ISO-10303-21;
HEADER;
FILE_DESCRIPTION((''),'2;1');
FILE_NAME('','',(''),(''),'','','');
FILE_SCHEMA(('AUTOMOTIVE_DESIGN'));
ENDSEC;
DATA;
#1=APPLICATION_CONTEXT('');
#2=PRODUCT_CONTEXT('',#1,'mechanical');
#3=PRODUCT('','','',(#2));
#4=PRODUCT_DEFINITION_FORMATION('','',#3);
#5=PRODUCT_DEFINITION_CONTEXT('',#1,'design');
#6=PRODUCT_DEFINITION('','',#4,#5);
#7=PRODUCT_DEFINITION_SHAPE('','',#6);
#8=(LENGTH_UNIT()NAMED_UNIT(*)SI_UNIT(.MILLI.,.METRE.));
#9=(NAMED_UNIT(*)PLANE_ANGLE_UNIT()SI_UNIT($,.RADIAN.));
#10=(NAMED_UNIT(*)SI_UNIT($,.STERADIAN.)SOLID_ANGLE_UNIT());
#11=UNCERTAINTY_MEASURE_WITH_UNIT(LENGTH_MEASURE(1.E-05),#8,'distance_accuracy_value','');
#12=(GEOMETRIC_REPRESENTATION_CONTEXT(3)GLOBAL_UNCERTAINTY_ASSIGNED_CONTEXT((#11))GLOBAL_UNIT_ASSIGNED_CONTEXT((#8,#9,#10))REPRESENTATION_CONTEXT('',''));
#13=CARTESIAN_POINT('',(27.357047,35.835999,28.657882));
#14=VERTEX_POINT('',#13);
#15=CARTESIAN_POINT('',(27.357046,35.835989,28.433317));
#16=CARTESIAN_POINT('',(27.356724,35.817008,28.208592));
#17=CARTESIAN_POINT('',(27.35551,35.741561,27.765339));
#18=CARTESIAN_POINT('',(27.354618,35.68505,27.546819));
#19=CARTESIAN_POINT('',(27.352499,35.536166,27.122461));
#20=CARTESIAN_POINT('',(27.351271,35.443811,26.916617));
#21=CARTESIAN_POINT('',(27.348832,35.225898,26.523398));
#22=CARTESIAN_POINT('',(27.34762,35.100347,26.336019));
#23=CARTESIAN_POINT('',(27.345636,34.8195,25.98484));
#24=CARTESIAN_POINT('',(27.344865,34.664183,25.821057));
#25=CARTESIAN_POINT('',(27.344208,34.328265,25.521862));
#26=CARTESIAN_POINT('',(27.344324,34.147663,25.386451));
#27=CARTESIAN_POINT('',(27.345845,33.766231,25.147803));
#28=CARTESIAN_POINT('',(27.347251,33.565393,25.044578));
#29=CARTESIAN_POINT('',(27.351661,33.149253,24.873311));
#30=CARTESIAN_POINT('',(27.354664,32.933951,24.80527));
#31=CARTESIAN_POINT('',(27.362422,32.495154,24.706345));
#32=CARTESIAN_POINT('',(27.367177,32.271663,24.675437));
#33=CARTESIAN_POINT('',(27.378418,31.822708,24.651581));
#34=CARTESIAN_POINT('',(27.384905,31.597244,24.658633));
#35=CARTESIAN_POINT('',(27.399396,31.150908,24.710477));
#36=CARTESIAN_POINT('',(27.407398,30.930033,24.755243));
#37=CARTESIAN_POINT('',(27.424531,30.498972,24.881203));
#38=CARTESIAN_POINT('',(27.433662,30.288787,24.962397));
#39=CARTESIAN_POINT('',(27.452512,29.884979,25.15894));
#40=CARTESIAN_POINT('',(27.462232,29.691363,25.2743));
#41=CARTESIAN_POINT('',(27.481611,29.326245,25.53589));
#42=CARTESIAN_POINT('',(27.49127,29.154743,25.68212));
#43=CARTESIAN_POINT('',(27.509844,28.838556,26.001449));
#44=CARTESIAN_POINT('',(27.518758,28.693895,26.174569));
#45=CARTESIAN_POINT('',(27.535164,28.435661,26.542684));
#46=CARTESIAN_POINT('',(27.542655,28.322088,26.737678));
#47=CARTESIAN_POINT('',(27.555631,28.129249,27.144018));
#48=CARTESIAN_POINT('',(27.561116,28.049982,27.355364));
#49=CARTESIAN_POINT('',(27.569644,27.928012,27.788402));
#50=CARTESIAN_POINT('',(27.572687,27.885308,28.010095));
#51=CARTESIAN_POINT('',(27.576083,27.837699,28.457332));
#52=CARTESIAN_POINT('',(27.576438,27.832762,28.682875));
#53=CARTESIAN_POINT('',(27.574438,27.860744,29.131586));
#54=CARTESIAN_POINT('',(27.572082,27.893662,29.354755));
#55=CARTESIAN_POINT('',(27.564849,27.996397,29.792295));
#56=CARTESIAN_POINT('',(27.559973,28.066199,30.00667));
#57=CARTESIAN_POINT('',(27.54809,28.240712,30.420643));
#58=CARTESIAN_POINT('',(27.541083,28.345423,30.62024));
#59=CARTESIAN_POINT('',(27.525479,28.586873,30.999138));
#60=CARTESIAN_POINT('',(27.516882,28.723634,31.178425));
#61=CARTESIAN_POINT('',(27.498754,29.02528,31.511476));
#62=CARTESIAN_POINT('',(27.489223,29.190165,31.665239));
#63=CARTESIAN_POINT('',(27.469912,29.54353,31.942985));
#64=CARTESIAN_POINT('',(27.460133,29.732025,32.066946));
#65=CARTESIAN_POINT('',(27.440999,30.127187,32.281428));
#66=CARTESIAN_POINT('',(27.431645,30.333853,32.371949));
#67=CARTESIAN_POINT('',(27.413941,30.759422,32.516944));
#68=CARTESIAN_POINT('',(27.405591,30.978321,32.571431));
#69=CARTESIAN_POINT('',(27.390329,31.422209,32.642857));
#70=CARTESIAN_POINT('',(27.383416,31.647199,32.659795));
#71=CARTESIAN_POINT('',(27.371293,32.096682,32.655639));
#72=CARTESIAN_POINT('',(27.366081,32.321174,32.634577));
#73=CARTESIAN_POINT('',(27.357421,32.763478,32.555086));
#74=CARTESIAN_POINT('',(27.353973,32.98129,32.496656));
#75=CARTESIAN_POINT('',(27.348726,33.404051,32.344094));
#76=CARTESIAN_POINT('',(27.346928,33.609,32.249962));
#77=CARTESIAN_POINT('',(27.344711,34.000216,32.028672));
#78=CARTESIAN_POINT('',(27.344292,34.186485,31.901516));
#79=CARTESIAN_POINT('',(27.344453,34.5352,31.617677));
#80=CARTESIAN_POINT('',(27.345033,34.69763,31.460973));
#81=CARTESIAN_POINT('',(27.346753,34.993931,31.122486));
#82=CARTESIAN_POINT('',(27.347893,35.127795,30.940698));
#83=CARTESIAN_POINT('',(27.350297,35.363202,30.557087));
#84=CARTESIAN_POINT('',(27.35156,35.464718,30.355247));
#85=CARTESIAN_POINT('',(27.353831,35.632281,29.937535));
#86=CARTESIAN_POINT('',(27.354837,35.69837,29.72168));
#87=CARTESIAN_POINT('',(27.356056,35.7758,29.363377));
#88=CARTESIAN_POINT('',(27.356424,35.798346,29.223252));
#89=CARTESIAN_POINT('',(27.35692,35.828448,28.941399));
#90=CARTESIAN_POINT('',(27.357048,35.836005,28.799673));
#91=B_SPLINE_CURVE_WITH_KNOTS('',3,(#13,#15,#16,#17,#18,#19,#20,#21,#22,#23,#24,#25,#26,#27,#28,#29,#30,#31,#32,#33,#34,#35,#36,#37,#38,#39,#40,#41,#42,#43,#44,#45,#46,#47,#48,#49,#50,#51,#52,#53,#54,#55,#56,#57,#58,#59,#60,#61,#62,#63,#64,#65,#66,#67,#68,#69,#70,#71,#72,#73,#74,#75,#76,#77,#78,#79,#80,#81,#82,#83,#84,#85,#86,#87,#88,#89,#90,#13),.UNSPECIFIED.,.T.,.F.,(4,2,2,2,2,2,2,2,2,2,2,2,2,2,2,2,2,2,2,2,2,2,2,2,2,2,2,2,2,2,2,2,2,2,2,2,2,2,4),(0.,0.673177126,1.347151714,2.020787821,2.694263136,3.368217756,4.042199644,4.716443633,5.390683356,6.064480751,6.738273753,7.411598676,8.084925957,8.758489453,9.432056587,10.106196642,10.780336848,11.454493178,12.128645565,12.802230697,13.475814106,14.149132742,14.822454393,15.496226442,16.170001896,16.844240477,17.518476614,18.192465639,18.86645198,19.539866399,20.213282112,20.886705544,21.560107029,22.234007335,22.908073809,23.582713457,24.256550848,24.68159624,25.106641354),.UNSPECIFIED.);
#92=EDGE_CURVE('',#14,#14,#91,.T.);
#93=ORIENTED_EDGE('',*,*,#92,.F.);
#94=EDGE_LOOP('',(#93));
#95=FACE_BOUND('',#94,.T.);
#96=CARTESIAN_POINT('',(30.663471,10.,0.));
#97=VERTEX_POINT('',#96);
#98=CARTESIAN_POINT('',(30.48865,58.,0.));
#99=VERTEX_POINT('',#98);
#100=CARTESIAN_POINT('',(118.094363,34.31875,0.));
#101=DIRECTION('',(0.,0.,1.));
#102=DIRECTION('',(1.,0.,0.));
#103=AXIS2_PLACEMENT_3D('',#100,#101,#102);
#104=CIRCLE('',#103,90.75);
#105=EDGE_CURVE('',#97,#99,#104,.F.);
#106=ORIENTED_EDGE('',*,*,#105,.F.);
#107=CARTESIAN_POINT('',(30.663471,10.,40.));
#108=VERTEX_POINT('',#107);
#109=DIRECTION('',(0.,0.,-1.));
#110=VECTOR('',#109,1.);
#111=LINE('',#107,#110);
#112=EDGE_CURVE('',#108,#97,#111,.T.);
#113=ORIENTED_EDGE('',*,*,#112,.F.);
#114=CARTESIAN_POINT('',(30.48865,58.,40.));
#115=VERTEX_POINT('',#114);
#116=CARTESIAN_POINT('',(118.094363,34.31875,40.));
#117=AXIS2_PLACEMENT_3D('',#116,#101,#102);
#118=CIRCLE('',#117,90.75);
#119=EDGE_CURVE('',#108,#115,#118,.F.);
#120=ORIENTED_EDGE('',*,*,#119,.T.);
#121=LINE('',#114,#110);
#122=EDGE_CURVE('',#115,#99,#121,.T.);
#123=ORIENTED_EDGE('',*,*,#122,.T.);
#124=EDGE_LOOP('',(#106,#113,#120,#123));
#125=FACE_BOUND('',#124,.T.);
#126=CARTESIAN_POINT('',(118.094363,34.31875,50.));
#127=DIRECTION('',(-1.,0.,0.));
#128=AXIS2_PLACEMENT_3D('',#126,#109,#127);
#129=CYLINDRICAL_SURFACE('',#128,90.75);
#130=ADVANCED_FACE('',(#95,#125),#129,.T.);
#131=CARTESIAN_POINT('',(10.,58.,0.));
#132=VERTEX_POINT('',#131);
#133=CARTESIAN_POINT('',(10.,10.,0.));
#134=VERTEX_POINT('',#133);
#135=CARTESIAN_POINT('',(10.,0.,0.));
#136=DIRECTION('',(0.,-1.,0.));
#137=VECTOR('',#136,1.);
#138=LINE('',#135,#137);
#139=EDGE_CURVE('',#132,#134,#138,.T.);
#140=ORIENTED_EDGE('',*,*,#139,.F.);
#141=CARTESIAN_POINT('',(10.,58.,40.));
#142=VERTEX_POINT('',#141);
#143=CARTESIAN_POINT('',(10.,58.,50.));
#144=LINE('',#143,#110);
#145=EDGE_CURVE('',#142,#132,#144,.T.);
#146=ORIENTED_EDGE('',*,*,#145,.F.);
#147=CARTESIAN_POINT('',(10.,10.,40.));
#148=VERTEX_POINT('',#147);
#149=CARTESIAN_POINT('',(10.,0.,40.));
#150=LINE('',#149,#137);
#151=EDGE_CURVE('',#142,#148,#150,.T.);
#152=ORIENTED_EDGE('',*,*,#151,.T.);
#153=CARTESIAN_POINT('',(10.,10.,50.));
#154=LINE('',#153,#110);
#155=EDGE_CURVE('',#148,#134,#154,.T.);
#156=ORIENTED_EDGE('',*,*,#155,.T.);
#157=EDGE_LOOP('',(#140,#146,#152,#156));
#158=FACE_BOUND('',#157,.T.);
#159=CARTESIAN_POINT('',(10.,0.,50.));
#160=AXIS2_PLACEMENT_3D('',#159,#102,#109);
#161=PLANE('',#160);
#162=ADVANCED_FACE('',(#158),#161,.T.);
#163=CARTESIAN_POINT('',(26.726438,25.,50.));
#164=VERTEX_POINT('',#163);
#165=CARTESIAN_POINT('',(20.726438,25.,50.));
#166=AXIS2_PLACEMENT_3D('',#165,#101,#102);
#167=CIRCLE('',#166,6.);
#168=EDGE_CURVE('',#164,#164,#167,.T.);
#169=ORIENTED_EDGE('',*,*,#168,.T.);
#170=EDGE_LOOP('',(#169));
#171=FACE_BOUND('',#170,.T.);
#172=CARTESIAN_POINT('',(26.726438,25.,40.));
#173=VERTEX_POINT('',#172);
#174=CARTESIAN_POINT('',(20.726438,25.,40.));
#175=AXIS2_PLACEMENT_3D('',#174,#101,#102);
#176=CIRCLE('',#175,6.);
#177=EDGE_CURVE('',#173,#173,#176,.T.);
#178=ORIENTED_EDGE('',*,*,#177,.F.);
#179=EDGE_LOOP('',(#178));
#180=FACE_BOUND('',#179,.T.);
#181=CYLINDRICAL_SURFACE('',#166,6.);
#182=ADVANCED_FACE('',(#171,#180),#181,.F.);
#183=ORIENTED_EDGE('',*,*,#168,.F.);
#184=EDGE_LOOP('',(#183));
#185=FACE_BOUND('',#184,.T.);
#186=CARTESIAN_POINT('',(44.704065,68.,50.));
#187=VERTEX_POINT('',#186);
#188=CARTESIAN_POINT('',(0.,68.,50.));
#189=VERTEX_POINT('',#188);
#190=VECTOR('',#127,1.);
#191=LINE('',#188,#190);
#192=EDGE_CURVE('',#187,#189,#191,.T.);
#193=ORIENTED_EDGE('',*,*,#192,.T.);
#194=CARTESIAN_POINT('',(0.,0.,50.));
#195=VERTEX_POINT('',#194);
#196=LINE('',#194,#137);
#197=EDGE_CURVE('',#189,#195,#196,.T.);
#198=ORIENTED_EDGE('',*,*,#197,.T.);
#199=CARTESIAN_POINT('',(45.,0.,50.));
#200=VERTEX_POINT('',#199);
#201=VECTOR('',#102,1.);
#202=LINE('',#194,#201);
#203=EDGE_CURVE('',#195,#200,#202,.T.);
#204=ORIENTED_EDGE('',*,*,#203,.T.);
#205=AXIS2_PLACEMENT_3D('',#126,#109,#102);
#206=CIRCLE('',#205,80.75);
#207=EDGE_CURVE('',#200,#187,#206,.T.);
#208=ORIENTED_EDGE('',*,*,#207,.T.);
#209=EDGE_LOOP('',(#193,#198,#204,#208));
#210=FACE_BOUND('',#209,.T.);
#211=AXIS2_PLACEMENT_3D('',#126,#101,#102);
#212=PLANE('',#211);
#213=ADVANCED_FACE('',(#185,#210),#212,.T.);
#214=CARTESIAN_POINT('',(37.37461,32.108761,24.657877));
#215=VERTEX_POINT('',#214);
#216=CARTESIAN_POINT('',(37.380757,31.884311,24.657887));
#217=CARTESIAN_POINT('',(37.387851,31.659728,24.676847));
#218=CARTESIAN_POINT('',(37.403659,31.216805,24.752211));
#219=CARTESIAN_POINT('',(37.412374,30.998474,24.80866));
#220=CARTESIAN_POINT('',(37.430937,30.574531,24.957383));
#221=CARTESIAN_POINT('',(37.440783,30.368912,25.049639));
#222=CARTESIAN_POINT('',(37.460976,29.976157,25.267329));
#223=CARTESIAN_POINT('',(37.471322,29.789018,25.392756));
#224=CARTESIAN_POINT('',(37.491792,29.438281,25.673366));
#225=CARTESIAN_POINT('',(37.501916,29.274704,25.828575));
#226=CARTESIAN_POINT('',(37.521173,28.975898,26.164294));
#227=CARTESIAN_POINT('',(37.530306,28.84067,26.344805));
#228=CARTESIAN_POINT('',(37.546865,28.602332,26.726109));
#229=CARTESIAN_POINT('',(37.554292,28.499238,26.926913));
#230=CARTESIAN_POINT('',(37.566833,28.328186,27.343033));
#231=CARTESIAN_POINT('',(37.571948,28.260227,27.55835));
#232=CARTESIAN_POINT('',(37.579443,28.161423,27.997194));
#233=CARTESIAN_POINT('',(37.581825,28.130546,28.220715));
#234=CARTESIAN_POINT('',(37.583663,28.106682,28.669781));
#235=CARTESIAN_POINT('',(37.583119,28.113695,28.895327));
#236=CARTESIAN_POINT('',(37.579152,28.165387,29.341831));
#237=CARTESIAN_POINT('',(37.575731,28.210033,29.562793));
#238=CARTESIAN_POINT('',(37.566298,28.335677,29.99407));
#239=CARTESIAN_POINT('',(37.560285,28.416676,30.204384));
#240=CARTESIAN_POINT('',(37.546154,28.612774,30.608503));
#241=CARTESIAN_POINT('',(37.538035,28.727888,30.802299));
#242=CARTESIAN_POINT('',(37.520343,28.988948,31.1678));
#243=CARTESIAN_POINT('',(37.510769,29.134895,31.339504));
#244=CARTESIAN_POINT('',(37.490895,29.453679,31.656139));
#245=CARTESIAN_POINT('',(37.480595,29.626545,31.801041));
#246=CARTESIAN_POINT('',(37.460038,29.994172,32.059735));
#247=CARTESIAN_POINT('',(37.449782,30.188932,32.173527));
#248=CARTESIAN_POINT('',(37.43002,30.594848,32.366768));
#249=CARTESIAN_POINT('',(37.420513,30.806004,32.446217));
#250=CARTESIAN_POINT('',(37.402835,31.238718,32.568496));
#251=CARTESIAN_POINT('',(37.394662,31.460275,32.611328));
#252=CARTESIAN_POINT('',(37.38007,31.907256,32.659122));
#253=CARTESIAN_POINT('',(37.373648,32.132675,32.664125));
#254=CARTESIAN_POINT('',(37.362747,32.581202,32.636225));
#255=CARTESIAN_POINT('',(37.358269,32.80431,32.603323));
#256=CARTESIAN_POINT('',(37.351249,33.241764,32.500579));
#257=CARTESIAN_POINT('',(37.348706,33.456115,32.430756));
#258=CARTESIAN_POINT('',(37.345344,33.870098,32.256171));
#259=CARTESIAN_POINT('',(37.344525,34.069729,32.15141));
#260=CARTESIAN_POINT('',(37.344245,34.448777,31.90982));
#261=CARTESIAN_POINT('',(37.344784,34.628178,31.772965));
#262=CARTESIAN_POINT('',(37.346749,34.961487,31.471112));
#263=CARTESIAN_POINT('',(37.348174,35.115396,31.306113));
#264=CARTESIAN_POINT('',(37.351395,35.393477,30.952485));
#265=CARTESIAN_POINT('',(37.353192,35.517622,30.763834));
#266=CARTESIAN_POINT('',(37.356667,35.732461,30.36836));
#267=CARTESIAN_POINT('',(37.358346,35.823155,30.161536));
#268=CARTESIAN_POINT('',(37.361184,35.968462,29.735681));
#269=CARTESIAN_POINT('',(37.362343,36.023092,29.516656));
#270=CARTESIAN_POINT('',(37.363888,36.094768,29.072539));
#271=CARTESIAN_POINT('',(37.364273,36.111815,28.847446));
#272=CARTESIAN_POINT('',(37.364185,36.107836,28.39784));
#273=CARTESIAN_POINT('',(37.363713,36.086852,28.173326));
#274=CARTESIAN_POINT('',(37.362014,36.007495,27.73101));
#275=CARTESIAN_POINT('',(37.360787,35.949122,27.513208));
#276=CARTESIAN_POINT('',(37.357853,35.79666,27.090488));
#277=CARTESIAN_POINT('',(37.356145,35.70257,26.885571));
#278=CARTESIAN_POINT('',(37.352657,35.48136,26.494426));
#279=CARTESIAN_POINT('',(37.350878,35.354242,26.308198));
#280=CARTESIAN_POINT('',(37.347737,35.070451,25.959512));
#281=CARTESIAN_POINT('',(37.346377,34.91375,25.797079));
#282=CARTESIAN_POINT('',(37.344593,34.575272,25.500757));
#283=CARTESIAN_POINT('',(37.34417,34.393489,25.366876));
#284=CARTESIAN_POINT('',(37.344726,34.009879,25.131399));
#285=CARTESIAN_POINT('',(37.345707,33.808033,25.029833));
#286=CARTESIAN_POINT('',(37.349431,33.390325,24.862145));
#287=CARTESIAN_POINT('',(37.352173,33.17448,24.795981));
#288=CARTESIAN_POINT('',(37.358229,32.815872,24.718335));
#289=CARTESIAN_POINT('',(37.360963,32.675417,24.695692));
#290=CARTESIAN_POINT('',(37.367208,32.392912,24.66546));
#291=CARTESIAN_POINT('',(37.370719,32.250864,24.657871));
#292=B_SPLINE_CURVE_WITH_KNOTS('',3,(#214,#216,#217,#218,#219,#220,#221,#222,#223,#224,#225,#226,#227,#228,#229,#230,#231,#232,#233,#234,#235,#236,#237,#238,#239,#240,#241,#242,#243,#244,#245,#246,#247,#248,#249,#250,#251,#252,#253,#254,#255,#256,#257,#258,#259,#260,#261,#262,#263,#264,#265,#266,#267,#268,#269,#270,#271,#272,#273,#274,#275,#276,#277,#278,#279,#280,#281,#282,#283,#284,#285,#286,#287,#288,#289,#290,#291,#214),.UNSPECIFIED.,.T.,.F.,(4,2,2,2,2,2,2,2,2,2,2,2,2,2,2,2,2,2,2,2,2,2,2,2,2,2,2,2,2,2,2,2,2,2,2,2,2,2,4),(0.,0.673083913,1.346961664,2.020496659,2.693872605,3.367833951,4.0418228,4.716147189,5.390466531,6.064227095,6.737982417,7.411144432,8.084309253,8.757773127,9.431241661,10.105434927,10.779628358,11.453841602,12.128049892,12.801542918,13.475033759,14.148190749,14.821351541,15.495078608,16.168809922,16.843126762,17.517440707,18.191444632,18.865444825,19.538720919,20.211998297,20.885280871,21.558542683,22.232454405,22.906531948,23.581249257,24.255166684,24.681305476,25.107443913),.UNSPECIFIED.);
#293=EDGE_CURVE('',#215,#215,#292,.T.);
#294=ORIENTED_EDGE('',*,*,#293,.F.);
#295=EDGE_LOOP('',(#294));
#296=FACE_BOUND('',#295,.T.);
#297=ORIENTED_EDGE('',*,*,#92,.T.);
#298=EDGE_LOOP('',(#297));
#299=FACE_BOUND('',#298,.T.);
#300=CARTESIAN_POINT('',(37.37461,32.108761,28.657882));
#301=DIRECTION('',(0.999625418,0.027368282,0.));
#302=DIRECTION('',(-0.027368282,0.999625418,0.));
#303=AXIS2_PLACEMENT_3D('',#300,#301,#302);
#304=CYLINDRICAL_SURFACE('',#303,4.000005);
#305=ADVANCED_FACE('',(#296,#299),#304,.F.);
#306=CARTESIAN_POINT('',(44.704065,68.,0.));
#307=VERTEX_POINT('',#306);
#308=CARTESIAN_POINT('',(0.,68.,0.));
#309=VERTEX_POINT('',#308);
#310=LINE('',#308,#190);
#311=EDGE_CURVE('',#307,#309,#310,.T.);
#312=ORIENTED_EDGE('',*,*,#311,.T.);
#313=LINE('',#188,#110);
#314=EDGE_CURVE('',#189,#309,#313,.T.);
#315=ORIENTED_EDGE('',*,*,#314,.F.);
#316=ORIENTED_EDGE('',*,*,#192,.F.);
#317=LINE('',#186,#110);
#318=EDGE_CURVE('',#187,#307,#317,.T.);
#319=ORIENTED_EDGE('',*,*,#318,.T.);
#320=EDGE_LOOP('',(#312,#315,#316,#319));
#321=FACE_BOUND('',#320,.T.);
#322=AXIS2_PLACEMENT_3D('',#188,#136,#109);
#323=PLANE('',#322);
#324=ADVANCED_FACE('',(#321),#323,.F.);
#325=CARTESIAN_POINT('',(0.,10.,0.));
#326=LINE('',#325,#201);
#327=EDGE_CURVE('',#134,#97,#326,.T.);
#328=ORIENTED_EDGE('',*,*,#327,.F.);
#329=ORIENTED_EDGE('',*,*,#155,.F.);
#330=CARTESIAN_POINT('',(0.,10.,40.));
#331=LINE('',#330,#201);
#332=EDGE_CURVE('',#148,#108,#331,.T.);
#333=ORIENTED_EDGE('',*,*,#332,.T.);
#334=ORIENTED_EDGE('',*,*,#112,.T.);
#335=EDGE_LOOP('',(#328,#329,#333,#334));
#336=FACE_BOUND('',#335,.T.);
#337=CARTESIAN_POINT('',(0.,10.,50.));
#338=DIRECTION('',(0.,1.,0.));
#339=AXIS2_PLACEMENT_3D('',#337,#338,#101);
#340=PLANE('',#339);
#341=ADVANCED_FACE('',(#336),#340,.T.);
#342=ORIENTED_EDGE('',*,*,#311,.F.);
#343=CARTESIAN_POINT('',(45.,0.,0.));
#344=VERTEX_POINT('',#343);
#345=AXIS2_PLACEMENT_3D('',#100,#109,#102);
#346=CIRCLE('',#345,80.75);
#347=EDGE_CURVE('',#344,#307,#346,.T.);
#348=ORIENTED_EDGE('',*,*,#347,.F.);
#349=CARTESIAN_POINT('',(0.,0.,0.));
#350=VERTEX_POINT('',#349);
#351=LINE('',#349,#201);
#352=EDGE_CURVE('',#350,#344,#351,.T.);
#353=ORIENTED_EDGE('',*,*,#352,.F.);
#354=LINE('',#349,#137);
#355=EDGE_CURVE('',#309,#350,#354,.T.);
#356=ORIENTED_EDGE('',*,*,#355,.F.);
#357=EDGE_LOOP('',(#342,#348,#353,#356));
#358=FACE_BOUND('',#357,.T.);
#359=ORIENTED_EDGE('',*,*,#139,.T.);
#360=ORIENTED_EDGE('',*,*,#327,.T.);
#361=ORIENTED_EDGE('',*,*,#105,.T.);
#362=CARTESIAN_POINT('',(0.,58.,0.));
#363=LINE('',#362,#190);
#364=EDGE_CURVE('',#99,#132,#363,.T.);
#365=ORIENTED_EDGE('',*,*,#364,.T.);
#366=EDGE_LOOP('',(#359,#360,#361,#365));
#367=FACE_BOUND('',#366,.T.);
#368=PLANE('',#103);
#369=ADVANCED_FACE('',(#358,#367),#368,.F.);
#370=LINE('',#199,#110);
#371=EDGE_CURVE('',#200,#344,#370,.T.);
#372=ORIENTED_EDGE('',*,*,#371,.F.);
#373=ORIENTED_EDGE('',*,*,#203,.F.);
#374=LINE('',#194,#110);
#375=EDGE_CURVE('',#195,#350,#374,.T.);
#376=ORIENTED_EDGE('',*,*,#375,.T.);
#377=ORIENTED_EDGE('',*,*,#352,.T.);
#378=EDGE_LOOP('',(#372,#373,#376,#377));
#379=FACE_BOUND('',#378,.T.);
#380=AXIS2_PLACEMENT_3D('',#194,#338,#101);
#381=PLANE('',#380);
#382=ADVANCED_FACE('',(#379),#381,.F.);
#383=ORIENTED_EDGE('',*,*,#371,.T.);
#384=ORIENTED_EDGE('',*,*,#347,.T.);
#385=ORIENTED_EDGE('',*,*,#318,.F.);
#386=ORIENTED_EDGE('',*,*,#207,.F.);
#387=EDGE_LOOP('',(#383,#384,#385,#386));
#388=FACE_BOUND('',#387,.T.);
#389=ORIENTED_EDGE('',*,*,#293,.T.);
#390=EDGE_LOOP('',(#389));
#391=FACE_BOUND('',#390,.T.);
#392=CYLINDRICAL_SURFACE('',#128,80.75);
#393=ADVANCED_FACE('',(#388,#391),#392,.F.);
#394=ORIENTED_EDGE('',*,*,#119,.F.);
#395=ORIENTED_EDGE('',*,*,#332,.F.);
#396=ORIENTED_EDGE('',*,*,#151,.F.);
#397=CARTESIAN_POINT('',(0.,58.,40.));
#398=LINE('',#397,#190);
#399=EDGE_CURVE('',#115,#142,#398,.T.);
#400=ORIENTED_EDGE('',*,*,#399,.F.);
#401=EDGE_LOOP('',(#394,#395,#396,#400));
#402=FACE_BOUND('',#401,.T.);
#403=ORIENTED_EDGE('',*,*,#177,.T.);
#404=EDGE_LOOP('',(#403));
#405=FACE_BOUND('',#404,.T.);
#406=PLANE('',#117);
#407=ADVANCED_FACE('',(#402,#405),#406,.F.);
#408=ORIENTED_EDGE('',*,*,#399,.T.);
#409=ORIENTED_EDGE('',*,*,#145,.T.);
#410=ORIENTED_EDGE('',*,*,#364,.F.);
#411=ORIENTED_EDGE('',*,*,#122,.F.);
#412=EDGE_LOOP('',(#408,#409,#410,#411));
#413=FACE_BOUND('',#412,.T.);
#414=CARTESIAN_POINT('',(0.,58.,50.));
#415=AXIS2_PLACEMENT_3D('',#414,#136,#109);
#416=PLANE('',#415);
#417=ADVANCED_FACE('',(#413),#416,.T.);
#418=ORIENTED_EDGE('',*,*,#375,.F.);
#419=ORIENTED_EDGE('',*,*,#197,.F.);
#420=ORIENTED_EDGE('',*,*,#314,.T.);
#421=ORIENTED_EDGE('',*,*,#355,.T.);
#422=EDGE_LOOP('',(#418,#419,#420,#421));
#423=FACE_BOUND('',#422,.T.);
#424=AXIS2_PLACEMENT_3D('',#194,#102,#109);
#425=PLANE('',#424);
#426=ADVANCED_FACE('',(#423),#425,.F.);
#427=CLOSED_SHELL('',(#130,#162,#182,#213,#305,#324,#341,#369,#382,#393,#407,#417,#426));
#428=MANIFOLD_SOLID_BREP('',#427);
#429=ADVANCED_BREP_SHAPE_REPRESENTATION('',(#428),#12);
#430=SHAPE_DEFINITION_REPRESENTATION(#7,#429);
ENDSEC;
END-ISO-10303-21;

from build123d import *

# Parameters (mm, degrees)
BOSS_EXTRU_1_DEPTH                = 50
COQUE2_T                          = -10
TROU_TARAUD_0_801_D               = 12
TROU_DE_PASSAGE_D_AXE_3_321_D     = 8.0000094
TROU_DE_PASSAGE_D_AXE_3_321_DEPTH = 10


with BuildPart() as part:
    # Esquisse1 → Boss.-Extru.1 (new body)
    with BuildSketch(Plane.XY):
        with BuildLine():
            Line((0, 0), (0, 68))
            Line((0, 68), (44.704064579, 68))
            ThreePointArc((44.704064579, 68), (37.345127658, 33.967330015), (45, 0))
            Line((45, 0), (0, 0))
        make_face()
    extrude(amount=BOSS_EXTRU_1_DEPTH)

    # Coque2
    coque2_openings = [part.faces().sort_by_distance(p)[0] for p in [
        (19.961549488, 33.959529951, 0),
    ]]
    offset(amount=COQUE2_T, openings=coque2_openings, kind=Kind.INTERSECTION)

    # Trou taraudé #0-801 (through all)
    with Locations(Plane.XY.offset(50)):
        with Locations((20.726437539, 25)):
            Hole(TROU_TARAUD_0_801_D / 2)

    # Trou de passage d'axe 3/321
    with Locations(Plane(origin=(37.374610437, 32.108761201, 28.657882027), x_dir=(-0.027368282342, 0.999625418405, 0), z_dir=(0.999625418405, 0.027368282342, 0))):
        with Locations((0, 0)):
            Hole(TROU_DE_PASSAGE_D_AXE_3_321_D / 2, depth=TROU_DE_PASSAGE_D_AXE_3_321_DEPTH)


solid = part.part
